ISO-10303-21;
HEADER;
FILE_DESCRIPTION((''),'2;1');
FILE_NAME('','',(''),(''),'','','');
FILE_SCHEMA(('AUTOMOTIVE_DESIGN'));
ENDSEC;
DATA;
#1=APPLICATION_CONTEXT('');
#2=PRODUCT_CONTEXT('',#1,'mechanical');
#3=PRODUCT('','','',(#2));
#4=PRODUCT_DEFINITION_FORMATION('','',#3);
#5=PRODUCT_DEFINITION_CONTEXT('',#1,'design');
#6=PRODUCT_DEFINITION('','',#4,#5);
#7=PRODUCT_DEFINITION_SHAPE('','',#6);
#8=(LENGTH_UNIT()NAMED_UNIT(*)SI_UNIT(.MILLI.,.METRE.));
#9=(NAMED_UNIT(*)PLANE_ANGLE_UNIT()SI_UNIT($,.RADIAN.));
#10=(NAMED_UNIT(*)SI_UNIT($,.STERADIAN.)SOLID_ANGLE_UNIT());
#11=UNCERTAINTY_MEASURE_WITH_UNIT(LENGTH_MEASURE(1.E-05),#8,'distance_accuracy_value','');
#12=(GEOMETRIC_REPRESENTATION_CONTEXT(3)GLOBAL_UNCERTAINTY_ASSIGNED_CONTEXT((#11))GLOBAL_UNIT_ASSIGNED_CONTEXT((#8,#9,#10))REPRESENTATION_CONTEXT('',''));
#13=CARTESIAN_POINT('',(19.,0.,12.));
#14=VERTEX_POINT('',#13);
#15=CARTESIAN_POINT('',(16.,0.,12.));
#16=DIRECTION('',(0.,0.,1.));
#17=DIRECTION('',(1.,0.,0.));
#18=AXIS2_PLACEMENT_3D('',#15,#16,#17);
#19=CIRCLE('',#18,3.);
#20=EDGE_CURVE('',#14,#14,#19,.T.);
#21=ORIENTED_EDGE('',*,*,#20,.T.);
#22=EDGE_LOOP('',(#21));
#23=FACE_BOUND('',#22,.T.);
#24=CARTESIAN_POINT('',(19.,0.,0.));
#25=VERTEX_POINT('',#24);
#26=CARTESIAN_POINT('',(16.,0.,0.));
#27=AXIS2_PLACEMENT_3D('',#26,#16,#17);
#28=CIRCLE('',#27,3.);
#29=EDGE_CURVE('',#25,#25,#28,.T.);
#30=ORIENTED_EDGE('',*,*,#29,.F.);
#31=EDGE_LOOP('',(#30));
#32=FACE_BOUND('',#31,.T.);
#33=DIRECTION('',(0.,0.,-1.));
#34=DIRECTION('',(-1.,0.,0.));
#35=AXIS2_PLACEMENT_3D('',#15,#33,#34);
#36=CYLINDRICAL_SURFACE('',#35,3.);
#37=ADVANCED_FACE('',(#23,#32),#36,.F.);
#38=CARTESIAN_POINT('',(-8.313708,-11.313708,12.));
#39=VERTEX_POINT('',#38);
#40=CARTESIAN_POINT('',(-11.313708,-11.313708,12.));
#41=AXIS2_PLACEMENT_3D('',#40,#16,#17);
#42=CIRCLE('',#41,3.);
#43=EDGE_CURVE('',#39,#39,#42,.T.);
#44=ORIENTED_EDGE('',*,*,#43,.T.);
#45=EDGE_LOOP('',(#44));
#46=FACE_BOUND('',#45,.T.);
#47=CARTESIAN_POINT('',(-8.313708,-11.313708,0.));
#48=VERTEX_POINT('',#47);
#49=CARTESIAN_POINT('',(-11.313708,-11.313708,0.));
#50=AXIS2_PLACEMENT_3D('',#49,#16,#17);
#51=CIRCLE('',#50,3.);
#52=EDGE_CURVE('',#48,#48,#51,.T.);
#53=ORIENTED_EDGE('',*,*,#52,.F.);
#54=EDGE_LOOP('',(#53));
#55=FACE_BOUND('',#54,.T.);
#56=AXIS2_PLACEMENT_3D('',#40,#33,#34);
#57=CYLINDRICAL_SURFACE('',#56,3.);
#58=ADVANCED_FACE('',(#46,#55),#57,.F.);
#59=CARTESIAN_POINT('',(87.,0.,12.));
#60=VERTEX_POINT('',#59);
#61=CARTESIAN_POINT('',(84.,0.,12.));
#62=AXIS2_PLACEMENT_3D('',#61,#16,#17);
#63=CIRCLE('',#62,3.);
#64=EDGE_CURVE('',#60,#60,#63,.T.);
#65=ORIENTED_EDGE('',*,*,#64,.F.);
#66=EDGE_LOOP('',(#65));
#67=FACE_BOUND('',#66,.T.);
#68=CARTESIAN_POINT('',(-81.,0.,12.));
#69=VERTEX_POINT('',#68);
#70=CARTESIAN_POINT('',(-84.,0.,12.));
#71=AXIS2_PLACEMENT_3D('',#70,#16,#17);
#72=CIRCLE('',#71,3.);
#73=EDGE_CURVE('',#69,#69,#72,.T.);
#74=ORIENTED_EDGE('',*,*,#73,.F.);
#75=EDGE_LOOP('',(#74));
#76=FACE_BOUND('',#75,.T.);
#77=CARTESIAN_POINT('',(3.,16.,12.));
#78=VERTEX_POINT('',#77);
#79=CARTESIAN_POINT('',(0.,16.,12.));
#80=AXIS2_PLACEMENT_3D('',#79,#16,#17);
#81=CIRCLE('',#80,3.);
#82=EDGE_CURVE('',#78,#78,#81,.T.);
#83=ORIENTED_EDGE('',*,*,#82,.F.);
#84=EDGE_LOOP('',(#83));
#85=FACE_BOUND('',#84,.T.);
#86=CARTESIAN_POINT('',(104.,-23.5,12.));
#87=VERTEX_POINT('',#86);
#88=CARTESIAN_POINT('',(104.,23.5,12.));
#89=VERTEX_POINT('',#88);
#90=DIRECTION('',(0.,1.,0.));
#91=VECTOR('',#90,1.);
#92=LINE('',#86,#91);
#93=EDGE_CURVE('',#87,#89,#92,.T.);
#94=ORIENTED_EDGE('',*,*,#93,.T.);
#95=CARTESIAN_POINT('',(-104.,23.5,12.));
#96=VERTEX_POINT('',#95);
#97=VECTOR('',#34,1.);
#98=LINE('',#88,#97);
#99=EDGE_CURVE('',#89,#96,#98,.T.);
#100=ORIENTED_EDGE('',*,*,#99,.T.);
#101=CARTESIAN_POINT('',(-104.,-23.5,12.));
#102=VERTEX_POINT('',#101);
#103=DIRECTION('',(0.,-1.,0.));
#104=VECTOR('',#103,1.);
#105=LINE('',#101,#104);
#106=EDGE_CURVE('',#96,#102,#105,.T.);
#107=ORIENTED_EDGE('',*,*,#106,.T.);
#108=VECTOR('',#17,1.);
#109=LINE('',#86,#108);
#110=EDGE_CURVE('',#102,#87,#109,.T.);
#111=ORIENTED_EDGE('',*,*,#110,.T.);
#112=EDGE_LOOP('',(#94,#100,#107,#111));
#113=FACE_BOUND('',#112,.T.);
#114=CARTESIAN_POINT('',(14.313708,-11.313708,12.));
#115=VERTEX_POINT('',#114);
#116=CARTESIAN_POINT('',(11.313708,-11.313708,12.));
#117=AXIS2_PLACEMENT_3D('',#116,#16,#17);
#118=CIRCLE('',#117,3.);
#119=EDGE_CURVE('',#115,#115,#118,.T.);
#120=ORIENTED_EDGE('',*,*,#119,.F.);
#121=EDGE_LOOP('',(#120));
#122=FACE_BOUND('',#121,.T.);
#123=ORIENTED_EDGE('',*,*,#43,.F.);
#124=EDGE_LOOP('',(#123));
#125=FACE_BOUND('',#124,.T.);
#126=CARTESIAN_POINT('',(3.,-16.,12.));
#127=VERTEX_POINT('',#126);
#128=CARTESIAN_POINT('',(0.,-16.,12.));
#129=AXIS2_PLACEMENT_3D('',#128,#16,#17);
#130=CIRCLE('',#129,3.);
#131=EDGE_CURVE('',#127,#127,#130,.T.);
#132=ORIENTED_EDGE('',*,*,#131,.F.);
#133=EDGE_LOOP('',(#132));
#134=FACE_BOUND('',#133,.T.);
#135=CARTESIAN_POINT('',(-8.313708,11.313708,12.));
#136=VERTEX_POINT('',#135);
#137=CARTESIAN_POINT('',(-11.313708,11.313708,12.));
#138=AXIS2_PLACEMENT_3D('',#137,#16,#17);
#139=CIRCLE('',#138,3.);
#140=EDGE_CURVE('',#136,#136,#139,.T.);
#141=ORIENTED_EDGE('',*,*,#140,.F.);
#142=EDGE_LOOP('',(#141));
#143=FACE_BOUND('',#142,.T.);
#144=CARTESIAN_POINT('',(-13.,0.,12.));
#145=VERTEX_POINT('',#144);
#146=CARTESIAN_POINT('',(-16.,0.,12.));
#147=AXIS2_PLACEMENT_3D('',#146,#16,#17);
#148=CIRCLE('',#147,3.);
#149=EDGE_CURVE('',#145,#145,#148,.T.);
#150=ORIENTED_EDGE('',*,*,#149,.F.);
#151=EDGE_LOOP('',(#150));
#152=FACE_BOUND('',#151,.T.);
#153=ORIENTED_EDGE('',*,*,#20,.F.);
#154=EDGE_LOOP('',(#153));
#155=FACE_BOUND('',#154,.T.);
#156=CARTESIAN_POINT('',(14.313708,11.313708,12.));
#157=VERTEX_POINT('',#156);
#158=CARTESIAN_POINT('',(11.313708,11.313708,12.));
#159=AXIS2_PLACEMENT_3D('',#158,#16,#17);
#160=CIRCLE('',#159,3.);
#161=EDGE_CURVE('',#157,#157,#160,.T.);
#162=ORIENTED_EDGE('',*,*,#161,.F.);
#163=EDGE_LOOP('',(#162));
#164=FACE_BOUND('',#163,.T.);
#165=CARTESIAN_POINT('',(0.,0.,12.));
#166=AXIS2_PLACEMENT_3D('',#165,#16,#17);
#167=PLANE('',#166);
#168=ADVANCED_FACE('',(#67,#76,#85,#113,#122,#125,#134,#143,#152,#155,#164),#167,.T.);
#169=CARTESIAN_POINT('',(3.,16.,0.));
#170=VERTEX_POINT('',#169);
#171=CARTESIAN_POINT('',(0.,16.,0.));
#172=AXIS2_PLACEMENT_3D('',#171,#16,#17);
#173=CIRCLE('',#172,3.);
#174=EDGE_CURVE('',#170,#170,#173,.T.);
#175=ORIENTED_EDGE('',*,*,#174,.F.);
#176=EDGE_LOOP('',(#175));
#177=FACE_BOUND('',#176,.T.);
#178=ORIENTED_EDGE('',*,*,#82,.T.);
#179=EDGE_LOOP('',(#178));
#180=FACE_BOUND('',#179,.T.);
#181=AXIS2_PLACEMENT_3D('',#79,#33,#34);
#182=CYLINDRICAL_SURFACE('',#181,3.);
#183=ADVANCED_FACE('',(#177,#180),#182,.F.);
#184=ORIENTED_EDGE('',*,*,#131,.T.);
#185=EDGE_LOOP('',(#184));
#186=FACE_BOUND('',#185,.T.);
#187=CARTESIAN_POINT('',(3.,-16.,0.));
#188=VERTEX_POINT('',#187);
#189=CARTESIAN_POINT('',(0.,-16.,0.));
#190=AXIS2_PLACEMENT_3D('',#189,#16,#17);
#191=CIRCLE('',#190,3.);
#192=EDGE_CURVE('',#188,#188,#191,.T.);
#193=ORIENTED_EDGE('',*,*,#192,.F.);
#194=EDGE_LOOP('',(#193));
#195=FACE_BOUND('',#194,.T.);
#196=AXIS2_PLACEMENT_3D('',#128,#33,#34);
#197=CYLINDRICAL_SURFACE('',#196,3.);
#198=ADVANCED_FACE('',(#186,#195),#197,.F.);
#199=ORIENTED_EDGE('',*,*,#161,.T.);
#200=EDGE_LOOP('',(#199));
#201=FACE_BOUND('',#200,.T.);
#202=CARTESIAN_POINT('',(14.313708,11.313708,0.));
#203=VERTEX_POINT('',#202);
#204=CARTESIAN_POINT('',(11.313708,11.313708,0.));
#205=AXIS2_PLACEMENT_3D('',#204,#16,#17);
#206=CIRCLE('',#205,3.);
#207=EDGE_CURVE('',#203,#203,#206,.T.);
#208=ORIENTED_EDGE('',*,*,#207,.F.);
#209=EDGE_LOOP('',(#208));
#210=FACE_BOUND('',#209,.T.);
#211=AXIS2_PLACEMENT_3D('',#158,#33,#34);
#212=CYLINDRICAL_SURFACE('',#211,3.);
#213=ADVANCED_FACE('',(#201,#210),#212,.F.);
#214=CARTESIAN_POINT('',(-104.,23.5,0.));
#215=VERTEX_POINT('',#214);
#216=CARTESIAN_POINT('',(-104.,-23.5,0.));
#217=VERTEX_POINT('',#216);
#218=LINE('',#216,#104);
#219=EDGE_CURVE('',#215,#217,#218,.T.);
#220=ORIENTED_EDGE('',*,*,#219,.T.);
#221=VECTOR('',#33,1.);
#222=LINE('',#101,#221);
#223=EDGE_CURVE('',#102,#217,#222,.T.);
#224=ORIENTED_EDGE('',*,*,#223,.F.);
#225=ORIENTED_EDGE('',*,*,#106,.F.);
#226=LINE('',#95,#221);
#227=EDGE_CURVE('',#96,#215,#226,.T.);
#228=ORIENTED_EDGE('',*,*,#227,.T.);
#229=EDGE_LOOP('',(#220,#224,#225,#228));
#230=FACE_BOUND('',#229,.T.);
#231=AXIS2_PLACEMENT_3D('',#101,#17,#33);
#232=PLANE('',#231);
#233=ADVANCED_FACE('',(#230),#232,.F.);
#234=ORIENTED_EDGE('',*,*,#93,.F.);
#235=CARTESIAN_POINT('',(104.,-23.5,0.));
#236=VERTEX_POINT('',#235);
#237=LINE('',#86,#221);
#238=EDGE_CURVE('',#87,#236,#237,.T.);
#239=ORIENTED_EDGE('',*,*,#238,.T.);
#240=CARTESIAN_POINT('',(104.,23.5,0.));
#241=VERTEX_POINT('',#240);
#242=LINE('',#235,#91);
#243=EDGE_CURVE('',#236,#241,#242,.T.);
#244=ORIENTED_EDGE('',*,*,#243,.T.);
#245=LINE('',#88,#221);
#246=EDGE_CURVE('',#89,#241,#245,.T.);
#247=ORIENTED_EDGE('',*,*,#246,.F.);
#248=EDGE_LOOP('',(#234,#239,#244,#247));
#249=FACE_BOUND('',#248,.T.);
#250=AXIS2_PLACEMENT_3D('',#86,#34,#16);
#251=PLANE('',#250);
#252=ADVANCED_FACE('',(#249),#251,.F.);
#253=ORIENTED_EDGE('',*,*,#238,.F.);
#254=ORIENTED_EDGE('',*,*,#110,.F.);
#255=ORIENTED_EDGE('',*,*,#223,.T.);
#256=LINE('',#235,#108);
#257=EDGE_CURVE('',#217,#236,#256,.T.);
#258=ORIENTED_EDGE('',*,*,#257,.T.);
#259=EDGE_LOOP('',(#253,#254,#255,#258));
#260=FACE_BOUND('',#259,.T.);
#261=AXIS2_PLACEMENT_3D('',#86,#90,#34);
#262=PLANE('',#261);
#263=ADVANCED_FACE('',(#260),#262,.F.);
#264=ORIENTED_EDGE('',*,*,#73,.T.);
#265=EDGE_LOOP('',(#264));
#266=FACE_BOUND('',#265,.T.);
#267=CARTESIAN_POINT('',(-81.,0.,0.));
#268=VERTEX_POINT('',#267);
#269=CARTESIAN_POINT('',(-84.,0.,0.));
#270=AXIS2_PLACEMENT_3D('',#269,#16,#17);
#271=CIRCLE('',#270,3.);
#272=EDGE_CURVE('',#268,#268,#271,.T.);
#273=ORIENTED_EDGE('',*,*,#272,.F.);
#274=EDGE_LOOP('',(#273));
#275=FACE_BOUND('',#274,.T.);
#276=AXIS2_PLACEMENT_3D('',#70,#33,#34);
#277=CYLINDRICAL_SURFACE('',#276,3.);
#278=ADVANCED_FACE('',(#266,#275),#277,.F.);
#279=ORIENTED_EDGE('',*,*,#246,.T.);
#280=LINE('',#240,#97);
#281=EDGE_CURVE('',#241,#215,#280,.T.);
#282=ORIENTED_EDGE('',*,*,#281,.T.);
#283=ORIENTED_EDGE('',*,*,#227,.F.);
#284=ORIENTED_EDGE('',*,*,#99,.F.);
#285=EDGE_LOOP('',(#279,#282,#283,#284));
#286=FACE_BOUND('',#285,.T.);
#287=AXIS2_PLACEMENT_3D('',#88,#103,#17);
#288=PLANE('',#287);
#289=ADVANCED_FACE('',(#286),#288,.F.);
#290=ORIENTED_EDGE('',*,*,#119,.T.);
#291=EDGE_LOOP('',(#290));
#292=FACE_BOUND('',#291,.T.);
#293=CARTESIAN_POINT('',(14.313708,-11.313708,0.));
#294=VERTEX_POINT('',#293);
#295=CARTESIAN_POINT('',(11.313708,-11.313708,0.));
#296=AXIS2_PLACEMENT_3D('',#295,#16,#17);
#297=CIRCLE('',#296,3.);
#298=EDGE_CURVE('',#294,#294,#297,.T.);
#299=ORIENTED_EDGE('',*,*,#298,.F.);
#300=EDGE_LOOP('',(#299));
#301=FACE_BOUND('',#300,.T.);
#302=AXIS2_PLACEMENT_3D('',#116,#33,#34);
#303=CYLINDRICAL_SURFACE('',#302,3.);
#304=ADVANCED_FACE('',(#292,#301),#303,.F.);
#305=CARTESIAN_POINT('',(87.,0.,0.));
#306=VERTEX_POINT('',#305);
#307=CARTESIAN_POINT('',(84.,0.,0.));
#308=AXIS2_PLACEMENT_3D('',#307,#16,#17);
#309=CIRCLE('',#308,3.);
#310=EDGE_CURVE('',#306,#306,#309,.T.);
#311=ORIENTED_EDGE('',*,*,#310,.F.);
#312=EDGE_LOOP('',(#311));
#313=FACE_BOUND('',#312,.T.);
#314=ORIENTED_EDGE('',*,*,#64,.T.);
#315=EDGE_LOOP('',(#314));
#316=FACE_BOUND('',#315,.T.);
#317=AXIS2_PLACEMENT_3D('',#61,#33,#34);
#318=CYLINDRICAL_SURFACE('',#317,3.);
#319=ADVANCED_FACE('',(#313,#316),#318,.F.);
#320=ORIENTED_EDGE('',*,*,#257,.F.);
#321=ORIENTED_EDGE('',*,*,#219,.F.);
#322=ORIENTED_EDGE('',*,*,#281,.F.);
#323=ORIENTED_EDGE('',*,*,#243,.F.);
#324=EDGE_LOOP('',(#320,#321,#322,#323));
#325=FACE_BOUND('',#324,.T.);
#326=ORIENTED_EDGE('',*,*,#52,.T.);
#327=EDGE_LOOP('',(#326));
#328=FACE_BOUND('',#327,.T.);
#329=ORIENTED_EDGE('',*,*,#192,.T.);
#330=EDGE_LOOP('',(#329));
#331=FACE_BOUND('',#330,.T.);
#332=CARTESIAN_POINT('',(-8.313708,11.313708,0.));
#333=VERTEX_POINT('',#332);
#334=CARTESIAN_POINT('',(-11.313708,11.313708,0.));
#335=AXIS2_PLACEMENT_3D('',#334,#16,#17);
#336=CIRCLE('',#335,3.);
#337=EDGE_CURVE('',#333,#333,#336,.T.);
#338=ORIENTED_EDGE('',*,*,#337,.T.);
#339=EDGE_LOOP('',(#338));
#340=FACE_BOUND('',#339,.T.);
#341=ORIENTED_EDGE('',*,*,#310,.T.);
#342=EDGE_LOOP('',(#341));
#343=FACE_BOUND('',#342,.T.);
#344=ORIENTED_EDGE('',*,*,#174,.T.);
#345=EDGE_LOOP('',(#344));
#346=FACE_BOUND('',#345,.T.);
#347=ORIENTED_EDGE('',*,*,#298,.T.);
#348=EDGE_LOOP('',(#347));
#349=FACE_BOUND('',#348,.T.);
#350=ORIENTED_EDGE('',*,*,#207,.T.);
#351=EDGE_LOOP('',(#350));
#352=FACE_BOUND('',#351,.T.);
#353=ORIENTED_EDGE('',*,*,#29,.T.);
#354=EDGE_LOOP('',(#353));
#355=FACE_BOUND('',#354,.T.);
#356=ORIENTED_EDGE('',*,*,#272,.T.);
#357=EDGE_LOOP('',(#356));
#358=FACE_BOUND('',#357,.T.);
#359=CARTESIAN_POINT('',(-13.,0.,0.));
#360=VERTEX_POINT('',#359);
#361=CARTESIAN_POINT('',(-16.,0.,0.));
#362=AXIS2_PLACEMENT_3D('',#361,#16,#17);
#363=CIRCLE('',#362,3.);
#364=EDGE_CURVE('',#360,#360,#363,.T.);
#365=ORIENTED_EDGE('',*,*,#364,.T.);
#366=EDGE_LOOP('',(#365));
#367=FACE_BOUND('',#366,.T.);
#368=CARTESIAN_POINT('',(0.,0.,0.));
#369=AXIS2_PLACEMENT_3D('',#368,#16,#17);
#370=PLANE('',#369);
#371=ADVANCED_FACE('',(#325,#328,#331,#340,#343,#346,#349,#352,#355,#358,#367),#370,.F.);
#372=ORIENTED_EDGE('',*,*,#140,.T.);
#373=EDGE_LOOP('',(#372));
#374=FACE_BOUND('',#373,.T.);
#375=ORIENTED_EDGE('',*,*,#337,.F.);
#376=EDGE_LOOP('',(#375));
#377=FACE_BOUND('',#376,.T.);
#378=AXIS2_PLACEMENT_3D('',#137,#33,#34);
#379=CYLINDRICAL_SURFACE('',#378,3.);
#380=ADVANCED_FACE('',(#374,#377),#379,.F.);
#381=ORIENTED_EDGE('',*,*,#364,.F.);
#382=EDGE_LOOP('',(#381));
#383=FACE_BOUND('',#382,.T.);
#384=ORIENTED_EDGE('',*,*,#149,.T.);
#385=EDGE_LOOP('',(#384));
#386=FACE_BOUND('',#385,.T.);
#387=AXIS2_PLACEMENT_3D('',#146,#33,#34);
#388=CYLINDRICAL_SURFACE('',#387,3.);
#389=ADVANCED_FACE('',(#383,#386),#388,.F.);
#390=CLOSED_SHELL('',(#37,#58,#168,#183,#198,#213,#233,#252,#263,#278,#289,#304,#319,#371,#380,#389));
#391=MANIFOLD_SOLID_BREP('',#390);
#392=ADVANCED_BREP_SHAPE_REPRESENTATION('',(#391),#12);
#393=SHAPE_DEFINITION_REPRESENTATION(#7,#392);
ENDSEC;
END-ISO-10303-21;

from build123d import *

# Parameters (mm, degrees)
SKETCH_1_W      = 208
SKETCH_1_H      = 47
SKETCH_1_R      = 3
EXTRUDE_1_DEPTH = 12


with BuildPart() as part:
    # 草图1 → 凸台-拉伸1 (new body)
    with BuildSketch(Plane.XY):
        Rectangle(SKETCH_1_W, SKETCH_1_H)
        with Locations((16, 0)):
            Circle(SKETCH_1_R, mode=Mode.SUBTRACT)
        with Locations((11.313708499, -11.313708499)):
            Circle(SKETCH_1_R, mode=Mode.SUBTRACT)
        with Locations((0, -16)):
            Circle(SKETCH_1_R, mode=Mode.SUBTRACT)
        with Locations((-11.313708499, -11.313708499)):
            Circle(SKETCH_1_R, mode=Mode.SUBTRACT)
        with Locations((-16, 0)):
            Circle(SKETCH_1_R, mode=Mode.SUBTRACT)
        with Locations((-11.313708499, 11.313708499)):
            Circle(SKETCH_1_R, mode=Mode.SUBTRACT)
        with Locations((0, 16)):
            Circle(SKETCH_1_R, mode=Mode.SUBTRACT)
        with Locations((11.313708499, 11.313708499)):
            Circle(SKETCH_1_R, mode=Mode.SUBTRACT)
        with Locations((-84, 0)):
            Circle(SKETCH_1_R, mode=Mode.SUBTRACT)
        with Locations((84, 0)):
            Circle(SKETCH_1_R, mode=Mode.SUBTRACT)
    extrude(amount=EXTRUDE_1_DEPTH)


solid = part.part
